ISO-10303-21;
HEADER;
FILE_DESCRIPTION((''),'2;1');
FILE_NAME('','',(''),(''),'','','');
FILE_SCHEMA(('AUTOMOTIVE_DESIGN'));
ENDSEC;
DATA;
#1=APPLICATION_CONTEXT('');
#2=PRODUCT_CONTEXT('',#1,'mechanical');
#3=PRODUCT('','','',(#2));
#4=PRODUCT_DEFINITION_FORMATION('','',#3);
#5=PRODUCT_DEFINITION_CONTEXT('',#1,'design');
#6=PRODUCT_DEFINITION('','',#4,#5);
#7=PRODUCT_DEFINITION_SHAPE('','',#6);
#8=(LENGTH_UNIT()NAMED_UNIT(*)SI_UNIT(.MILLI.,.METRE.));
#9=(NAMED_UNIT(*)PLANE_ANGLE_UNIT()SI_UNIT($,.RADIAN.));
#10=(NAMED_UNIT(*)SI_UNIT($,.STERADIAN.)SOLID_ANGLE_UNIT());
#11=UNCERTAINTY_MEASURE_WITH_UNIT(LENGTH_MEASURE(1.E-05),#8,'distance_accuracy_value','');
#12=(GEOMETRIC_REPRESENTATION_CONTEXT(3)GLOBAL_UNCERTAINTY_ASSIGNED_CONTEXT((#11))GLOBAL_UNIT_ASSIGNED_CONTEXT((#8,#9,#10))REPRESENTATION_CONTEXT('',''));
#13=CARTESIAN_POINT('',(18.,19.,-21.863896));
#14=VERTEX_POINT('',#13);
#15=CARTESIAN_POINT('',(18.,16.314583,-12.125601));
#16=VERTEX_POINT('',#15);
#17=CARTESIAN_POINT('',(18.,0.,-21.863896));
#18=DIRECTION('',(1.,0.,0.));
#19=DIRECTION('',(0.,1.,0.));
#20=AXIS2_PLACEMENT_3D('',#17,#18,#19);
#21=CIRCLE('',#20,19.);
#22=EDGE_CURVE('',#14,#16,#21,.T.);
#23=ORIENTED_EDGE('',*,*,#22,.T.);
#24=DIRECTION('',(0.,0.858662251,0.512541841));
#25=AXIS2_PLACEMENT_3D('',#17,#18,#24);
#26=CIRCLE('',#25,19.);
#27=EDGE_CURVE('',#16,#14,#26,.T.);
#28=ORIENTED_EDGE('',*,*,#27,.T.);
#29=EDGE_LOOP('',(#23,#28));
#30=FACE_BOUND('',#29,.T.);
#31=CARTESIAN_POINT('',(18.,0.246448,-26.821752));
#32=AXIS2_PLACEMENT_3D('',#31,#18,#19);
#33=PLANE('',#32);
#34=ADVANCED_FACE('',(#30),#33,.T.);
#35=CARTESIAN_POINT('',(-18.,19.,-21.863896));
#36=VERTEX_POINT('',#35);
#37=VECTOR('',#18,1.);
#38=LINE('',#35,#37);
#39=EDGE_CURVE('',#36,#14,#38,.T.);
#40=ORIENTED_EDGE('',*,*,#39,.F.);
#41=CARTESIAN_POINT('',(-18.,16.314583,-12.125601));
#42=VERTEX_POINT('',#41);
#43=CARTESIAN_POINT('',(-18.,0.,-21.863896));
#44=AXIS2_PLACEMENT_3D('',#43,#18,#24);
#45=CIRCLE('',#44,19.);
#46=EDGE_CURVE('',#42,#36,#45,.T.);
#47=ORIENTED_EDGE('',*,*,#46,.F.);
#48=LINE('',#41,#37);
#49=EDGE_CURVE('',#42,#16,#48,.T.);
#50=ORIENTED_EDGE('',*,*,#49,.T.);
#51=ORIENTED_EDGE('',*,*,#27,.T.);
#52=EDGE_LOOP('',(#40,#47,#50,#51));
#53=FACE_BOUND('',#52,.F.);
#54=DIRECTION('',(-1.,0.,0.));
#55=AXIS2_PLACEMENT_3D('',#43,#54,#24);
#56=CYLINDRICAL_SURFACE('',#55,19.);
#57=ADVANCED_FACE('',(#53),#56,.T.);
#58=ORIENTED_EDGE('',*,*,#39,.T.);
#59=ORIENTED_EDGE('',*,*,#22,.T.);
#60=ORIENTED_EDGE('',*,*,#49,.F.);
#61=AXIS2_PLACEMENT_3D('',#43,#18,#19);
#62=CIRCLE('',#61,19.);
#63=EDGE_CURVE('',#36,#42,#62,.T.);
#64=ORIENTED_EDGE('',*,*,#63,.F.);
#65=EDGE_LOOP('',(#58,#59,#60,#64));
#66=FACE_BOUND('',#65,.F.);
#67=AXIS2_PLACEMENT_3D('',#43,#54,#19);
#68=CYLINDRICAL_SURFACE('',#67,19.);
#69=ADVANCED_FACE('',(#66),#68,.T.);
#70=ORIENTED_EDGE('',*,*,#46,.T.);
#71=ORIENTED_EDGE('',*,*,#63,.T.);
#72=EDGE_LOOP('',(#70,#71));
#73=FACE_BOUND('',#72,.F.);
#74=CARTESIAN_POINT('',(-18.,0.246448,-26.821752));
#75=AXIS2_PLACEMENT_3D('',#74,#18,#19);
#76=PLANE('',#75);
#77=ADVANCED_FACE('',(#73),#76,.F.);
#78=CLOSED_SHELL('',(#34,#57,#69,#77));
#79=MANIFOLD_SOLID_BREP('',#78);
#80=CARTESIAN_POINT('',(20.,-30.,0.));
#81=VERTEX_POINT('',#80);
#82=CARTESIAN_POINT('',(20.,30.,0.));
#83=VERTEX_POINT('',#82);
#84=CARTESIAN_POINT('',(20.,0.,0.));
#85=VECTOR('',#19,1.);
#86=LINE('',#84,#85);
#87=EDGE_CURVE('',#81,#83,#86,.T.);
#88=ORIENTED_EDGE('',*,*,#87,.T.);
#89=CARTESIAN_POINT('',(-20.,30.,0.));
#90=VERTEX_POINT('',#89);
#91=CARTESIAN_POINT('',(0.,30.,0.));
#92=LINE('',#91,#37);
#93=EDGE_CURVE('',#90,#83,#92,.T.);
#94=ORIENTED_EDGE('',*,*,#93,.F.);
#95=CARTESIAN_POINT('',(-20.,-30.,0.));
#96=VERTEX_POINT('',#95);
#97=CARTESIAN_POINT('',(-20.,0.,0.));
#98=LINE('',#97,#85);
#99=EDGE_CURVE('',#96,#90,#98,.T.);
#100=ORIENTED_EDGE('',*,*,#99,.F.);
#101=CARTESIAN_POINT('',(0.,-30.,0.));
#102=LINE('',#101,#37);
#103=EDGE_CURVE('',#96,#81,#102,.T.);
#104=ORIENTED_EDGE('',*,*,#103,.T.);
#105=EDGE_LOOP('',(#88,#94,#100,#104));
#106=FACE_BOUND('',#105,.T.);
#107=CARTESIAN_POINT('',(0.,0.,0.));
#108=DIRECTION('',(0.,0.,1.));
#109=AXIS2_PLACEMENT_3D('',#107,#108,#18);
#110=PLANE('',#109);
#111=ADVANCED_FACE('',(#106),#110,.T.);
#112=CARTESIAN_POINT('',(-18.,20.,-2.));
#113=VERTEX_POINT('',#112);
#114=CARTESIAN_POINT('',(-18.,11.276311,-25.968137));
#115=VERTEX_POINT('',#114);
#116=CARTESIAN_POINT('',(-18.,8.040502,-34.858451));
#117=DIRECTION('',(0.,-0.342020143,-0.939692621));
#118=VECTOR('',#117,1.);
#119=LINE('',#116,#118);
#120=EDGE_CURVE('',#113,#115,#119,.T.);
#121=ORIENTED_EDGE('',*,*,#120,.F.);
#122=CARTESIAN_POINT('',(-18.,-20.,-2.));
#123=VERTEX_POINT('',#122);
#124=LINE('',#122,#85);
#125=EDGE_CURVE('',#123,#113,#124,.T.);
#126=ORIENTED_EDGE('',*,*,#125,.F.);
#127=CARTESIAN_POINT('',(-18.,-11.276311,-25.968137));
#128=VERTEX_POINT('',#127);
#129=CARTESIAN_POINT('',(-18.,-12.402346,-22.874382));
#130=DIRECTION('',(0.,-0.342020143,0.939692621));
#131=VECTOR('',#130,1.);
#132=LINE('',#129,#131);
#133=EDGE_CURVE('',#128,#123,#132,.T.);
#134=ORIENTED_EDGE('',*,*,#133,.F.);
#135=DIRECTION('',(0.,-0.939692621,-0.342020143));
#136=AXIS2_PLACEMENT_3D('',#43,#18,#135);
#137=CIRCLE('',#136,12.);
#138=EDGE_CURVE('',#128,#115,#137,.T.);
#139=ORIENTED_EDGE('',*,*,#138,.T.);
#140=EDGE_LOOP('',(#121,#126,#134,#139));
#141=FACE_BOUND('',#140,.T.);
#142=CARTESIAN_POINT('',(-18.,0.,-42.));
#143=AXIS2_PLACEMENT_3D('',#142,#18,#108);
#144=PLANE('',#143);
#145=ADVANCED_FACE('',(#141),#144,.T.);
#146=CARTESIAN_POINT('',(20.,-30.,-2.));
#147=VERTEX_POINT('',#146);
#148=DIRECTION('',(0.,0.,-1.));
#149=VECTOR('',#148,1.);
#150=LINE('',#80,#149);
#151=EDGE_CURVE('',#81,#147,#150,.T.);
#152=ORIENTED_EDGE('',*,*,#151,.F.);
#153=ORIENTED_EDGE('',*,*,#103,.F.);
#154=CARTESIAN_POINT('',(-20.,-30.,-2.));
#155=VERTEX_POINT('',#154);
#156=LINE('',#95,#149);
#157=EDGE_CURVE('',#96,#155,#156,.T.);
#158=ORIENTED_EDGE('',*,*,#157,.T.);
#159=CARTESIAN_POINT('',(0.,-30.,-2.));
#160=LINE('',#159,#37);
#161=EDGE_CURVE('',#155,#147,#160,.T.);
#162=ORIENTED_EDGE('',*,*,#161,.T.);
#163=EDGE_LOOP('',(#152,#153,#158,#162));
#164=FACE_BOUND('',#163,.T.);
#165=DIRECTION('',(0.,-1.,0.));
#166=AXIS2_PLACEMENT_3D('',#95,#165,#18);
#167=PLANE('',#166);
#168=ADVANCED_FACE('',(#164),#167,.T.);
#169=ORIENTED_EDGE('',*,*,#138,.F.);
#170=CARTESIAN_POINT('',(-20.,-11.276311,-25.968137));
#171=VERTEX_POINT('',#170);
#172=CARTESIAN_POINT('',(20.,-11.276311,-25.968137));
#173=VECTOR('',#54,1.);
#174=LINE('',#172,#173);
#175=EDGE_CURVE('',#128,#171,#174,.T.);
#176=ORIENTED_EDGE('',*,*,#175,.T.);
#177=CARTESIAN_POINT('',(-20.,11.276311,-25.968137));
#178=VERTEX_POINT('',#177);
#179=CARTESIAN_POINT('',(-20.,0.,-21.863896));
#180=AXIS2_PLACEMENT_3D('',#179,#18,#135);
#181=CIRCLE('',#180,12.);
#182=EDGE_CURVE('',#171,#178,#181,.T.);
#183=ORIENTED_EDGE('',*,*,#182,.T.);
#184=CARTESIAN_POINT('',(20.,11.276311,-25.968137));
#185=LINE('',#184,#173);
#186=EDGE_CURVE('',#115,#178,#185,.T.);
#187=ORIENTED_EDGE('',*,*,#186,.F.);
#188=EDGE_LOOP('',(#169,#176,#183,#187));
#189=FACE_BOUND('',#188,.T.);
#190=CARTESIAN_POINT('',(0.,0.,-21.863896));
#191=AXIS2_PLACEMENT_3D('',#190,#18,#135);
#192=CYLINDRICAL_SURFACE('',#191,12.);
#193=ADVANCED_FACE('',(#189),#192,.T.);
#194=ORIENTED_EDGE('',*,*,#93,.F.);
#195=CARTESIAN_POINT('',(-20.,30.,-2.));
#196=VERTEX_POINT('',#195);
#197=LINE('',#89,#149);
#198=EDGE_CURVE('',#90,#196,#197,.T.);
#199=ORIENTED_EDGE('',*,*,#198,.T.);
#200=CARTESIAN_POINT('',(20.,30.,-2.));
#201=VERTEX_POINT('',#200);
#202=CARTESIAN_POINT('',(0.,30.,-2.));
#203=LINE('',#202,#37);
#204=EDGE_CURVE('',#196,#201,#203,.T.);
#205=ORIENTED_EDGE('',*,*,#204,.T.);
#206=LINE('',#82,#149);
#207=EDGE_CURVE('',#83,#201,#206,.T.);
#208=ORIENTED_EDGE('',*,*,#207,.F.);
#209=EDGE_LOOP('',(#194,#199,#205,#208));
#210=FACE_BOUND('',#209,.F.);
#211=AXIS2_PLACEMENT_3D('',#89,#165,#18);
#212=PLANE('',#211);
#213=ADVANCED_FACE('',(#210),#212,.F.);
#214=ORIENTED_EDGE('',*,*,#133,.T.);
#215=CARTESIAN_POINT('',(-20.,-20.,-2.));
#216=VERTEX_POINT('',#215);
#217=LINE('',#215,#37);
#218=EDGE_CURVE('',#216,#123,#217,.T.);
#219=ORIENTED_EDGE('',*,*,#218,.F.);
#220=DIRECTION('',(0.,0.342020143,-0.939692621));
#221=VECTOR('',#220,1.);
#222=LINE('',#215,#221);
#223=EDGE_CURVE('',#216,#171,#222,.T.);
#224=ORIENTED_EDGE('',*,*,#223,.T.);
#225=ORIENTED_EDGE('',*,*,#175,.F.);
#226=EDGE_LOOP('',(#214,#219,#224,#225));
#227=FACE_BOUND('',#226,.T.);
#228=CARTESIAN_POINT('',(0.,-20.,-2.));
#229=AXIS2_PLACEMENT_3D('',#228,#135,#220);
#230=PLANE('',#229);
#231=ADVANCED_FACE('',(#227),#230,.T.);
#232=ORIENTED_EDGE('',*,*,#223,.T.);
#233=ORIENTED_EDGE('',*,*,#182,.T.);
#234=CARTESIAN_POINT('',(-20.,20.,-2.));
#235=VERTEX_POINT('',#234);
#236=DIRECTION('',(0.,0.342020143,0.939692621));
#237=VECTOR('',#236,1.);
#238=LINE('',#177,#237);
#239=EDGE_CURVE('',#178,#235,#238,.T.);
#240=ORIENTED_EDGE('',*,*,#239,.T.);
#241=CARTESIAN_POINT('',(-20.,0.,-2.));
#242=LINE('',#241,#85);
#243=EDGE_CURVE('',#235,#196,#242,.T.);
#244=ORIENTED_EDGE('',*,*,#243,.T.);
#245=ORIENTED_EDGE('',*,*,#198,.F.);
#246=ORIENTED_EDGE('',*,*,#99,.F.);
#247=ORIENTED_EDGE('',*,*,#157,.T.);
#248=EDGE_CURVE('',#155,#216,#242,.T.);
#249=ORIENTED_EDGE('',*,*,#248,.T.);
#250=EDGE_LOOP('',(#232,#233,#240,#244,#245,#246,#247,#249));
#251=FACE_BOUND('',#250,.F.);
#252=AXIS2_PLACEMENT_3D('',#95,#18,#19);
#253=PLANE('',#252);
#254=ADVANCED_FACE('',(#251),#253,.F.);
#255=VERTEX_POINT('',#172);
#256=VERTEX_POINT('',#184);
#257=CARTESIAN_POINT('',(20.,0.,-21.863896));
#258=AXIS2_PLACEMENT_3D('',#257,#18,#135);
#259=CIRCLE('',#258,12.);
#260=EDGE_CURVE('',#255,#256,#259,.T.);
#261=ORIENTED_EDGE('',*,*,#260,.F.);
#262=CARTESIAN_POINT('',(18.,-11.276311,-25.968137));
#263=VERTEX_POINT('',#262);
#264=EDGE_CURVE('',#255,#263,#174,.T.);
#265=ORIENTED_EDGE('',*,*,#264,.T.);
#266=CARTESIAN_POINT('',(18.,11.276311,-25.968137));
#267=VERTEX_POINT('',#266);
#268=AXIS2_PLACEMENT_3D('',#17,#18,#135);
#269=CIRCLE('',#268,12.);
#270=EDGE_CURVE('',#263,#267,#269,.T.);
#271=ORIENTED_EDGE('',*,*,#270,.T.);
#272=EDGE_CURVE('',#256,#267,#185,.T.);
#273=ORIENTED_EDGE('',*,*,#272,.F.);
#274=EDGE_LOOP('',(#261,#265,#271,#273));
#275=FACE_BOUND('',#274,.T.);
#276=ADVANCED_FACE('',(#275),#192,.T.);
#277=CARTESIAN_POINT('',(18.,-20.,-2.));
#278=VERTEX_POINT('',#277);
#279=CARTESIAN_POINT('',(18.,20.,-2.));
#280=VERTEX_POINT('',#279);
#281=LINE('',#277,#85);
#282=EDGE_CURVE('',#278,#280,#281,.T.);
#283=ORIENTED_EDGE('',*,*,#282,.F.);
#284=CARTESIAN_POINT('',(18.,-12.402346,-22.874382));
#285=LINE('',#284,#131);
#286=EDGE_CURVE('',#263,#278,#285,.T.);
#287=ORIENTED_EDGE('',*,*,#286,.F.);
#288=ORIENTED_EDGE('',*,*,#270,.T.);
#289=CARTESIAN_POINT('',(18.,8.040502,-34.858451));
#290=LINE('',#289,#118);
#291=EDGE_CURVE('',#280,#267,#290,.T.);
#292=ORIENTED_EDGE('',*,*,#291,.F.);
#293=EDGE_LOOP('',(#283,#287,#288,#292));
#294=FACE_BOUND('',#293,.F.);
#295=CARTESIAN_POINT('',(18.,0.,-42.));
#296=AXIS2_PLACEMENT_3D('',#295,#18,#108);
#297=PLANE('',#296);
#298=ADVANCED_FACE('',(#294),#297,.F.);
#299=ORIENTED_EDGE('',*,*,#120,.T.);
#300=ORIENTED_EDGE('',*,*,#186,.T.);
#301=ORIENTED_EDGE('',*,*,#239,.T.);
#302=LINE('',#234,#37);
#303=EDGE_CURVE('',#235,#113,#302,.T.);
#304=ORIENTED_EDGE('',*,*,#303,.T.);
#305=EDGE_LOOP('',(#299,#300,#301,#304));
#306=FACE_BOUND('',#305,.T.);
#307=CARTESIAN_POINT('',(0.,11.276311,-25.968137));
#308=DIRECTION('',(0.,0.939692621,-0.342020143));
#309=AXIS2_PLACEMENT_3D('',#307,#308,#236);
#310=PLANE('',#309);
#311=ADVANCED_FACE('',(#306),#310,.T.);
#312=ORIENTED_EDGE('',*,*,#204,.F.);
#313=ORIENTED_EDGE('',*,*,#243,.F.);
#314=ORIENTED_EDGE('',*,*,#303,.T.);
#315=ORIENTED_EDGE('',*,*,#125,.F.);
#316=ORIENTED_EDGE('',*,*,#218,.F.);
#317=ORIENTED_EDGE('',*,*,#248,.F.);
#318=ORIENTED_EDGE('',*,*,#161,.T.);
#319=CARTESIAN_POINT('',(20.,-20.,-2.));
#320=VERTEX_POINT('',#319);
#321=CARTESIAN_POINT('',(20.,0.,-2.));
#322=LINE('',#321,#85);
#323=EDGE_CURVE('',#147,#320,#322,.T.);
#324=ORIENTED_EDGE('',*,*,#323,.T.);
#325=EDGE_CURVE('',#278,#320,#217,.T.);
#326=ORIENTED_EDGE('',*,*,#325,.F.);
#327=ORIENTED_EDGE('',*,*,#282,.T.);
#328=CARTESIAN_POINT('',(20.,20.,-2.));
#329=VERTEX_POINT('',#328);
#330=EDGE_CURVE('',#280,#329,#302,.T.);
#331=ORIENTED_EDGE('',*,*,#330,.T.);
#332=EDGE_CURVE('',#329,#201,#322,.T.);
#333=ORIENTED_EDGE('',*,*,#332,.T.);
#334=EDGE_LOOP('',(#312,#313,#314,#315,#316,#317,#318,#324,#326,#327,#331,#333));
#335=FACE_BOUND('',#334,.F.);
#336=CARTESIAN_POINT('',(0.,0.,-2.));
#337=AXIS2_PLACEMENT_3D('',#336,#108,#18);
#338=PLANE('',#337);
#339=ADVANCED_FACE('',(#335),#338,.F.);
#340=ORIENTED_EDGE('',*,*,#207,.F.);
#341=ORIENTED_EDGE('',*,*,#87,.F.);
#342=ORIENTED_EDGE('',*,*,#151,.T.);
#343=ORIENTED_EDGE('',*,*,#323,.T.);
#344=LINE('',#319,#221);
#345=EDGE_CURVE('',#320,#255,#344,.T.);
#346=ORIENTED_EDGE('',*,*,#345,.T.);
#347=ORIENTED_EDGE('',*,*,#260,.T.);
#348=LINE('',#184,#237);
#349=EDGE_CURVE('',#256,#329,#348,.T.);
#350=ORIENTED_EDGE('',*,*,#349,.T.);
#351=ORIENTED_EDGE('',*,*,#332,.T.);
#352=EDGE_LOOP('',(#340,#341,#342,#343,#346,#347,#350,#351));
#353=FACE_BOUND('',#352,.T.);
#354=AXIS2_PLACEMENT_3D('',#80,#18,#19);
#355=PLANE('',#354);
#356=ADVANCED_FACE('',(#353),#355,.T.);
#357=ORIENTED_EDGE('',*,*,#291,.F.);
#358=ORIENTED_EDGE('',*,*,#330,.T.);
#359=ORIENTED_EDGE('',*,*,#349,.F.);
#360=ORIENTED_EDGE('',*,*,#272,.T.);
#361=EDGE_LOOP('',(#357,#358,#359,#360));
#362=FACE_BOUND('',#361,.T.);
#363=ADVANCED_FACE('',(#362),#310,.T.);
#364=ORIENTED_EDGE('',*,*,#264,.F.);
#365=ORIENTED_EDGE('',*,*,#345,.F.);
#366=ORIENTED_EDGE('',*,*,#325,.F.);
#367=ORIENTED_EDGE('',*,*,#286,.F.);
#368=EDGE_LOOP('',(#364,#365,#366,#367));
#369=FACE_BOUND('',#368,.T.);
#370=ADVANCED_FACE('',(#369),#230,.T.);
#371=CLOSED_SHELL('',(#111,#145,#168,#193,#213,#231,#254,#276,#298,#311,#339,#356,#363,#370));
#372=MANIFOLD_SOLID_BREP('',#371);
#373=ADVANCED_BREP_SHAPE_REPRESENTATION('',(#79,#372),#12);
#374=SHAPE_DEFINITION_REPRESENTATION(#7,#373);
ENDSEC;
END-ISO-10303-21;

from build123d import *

# Parameters (mm, degrees)
F0_W     = 40
F0_H     = 60
F1_DEPTH = 2
F3_DEPTH = 20
F4_W     = 36
F4_H     = 40
F5_DEPTH = 20
F7_DEPTH = 36


with BuildPart() as f1:
    # F0 (on Top) → F1 (new body)
    with BuildSketch(Plane.XY):
        Rectangle(F0_W, F0_H)
    extrude(amount=-F1_DEPTH)

    # F2 (on Right) → F3 (join, symmetric)
    with BuildSketch(Plane.YZ):
        with BuildLine():
            Line((11.2763114494, -25.968137307), (20, -2))
            Line((20, -2), (-20, -2))
            Line((-20, -2), (-11.2763114494, -25.968137307))
            ThreePointArc((-11.2763114494, -25.968137307), (0, -33.8638955871), (11.2763114494, -25.968137307))
        make_face()
    extrude(amount=F3_DEPTH, both=True)

    # F4 (on Front) → F5 (cut, symmetric)
    with BuildSketch(Plane.XZ):
        with Locations((0, -22)):
            Rectangle(F4_W, F4_H)
    extrude(amount=F5_DEPTH, both=True, mode=Mode.SUBTRACT)


with BuildPart() as f7:
    # F6 (on face) → F7 (new body, through all)
    with BuildSketch(Plane.YZ.offset(-18)):
        with BuildLine():
            ThreePointArc((-16.3145827722, -12.1256006147), (-5.0508874135, -40.1802417385), (19, -21.8638955871))
            ThreePointArc((19, -21.8638955871), (18.3163461513, -16.8130081736), (16.3145827722, -12.1256006147))
            Line((16.3145827722, -12.1256006147), (11.2763114494, -25.968137307))
            ThreePointArc((11.2763114494, -25.968137307), (0, -33.8638955871), (-11.2763114494, -25.968137307))
            Line((-11.2763114494, -25.968137307), (-16.3145827722, -12.1256006147))
        make_face()
        with BuildLine():
            Line((11.2763114494, -25.968137307), (16.3145827722, -12.1256006147))
            ThreePointArc((16.3145827722, -12.1256006147), (0, -2.8638955871), (-16.3145827722, -12.1256006147))
            Line((-16.3145827722, -12.1256006147), (-11.2763114494, -25.968137307))
            ThreePointArc((-11.2763114494, -25.968137307), (0, -33.8638955871), (11.2763114494, -25.968137307))
        make_face()
    extrude(amount=F7_DEPTH)


solid = Compound([f1.part, f7.part])
